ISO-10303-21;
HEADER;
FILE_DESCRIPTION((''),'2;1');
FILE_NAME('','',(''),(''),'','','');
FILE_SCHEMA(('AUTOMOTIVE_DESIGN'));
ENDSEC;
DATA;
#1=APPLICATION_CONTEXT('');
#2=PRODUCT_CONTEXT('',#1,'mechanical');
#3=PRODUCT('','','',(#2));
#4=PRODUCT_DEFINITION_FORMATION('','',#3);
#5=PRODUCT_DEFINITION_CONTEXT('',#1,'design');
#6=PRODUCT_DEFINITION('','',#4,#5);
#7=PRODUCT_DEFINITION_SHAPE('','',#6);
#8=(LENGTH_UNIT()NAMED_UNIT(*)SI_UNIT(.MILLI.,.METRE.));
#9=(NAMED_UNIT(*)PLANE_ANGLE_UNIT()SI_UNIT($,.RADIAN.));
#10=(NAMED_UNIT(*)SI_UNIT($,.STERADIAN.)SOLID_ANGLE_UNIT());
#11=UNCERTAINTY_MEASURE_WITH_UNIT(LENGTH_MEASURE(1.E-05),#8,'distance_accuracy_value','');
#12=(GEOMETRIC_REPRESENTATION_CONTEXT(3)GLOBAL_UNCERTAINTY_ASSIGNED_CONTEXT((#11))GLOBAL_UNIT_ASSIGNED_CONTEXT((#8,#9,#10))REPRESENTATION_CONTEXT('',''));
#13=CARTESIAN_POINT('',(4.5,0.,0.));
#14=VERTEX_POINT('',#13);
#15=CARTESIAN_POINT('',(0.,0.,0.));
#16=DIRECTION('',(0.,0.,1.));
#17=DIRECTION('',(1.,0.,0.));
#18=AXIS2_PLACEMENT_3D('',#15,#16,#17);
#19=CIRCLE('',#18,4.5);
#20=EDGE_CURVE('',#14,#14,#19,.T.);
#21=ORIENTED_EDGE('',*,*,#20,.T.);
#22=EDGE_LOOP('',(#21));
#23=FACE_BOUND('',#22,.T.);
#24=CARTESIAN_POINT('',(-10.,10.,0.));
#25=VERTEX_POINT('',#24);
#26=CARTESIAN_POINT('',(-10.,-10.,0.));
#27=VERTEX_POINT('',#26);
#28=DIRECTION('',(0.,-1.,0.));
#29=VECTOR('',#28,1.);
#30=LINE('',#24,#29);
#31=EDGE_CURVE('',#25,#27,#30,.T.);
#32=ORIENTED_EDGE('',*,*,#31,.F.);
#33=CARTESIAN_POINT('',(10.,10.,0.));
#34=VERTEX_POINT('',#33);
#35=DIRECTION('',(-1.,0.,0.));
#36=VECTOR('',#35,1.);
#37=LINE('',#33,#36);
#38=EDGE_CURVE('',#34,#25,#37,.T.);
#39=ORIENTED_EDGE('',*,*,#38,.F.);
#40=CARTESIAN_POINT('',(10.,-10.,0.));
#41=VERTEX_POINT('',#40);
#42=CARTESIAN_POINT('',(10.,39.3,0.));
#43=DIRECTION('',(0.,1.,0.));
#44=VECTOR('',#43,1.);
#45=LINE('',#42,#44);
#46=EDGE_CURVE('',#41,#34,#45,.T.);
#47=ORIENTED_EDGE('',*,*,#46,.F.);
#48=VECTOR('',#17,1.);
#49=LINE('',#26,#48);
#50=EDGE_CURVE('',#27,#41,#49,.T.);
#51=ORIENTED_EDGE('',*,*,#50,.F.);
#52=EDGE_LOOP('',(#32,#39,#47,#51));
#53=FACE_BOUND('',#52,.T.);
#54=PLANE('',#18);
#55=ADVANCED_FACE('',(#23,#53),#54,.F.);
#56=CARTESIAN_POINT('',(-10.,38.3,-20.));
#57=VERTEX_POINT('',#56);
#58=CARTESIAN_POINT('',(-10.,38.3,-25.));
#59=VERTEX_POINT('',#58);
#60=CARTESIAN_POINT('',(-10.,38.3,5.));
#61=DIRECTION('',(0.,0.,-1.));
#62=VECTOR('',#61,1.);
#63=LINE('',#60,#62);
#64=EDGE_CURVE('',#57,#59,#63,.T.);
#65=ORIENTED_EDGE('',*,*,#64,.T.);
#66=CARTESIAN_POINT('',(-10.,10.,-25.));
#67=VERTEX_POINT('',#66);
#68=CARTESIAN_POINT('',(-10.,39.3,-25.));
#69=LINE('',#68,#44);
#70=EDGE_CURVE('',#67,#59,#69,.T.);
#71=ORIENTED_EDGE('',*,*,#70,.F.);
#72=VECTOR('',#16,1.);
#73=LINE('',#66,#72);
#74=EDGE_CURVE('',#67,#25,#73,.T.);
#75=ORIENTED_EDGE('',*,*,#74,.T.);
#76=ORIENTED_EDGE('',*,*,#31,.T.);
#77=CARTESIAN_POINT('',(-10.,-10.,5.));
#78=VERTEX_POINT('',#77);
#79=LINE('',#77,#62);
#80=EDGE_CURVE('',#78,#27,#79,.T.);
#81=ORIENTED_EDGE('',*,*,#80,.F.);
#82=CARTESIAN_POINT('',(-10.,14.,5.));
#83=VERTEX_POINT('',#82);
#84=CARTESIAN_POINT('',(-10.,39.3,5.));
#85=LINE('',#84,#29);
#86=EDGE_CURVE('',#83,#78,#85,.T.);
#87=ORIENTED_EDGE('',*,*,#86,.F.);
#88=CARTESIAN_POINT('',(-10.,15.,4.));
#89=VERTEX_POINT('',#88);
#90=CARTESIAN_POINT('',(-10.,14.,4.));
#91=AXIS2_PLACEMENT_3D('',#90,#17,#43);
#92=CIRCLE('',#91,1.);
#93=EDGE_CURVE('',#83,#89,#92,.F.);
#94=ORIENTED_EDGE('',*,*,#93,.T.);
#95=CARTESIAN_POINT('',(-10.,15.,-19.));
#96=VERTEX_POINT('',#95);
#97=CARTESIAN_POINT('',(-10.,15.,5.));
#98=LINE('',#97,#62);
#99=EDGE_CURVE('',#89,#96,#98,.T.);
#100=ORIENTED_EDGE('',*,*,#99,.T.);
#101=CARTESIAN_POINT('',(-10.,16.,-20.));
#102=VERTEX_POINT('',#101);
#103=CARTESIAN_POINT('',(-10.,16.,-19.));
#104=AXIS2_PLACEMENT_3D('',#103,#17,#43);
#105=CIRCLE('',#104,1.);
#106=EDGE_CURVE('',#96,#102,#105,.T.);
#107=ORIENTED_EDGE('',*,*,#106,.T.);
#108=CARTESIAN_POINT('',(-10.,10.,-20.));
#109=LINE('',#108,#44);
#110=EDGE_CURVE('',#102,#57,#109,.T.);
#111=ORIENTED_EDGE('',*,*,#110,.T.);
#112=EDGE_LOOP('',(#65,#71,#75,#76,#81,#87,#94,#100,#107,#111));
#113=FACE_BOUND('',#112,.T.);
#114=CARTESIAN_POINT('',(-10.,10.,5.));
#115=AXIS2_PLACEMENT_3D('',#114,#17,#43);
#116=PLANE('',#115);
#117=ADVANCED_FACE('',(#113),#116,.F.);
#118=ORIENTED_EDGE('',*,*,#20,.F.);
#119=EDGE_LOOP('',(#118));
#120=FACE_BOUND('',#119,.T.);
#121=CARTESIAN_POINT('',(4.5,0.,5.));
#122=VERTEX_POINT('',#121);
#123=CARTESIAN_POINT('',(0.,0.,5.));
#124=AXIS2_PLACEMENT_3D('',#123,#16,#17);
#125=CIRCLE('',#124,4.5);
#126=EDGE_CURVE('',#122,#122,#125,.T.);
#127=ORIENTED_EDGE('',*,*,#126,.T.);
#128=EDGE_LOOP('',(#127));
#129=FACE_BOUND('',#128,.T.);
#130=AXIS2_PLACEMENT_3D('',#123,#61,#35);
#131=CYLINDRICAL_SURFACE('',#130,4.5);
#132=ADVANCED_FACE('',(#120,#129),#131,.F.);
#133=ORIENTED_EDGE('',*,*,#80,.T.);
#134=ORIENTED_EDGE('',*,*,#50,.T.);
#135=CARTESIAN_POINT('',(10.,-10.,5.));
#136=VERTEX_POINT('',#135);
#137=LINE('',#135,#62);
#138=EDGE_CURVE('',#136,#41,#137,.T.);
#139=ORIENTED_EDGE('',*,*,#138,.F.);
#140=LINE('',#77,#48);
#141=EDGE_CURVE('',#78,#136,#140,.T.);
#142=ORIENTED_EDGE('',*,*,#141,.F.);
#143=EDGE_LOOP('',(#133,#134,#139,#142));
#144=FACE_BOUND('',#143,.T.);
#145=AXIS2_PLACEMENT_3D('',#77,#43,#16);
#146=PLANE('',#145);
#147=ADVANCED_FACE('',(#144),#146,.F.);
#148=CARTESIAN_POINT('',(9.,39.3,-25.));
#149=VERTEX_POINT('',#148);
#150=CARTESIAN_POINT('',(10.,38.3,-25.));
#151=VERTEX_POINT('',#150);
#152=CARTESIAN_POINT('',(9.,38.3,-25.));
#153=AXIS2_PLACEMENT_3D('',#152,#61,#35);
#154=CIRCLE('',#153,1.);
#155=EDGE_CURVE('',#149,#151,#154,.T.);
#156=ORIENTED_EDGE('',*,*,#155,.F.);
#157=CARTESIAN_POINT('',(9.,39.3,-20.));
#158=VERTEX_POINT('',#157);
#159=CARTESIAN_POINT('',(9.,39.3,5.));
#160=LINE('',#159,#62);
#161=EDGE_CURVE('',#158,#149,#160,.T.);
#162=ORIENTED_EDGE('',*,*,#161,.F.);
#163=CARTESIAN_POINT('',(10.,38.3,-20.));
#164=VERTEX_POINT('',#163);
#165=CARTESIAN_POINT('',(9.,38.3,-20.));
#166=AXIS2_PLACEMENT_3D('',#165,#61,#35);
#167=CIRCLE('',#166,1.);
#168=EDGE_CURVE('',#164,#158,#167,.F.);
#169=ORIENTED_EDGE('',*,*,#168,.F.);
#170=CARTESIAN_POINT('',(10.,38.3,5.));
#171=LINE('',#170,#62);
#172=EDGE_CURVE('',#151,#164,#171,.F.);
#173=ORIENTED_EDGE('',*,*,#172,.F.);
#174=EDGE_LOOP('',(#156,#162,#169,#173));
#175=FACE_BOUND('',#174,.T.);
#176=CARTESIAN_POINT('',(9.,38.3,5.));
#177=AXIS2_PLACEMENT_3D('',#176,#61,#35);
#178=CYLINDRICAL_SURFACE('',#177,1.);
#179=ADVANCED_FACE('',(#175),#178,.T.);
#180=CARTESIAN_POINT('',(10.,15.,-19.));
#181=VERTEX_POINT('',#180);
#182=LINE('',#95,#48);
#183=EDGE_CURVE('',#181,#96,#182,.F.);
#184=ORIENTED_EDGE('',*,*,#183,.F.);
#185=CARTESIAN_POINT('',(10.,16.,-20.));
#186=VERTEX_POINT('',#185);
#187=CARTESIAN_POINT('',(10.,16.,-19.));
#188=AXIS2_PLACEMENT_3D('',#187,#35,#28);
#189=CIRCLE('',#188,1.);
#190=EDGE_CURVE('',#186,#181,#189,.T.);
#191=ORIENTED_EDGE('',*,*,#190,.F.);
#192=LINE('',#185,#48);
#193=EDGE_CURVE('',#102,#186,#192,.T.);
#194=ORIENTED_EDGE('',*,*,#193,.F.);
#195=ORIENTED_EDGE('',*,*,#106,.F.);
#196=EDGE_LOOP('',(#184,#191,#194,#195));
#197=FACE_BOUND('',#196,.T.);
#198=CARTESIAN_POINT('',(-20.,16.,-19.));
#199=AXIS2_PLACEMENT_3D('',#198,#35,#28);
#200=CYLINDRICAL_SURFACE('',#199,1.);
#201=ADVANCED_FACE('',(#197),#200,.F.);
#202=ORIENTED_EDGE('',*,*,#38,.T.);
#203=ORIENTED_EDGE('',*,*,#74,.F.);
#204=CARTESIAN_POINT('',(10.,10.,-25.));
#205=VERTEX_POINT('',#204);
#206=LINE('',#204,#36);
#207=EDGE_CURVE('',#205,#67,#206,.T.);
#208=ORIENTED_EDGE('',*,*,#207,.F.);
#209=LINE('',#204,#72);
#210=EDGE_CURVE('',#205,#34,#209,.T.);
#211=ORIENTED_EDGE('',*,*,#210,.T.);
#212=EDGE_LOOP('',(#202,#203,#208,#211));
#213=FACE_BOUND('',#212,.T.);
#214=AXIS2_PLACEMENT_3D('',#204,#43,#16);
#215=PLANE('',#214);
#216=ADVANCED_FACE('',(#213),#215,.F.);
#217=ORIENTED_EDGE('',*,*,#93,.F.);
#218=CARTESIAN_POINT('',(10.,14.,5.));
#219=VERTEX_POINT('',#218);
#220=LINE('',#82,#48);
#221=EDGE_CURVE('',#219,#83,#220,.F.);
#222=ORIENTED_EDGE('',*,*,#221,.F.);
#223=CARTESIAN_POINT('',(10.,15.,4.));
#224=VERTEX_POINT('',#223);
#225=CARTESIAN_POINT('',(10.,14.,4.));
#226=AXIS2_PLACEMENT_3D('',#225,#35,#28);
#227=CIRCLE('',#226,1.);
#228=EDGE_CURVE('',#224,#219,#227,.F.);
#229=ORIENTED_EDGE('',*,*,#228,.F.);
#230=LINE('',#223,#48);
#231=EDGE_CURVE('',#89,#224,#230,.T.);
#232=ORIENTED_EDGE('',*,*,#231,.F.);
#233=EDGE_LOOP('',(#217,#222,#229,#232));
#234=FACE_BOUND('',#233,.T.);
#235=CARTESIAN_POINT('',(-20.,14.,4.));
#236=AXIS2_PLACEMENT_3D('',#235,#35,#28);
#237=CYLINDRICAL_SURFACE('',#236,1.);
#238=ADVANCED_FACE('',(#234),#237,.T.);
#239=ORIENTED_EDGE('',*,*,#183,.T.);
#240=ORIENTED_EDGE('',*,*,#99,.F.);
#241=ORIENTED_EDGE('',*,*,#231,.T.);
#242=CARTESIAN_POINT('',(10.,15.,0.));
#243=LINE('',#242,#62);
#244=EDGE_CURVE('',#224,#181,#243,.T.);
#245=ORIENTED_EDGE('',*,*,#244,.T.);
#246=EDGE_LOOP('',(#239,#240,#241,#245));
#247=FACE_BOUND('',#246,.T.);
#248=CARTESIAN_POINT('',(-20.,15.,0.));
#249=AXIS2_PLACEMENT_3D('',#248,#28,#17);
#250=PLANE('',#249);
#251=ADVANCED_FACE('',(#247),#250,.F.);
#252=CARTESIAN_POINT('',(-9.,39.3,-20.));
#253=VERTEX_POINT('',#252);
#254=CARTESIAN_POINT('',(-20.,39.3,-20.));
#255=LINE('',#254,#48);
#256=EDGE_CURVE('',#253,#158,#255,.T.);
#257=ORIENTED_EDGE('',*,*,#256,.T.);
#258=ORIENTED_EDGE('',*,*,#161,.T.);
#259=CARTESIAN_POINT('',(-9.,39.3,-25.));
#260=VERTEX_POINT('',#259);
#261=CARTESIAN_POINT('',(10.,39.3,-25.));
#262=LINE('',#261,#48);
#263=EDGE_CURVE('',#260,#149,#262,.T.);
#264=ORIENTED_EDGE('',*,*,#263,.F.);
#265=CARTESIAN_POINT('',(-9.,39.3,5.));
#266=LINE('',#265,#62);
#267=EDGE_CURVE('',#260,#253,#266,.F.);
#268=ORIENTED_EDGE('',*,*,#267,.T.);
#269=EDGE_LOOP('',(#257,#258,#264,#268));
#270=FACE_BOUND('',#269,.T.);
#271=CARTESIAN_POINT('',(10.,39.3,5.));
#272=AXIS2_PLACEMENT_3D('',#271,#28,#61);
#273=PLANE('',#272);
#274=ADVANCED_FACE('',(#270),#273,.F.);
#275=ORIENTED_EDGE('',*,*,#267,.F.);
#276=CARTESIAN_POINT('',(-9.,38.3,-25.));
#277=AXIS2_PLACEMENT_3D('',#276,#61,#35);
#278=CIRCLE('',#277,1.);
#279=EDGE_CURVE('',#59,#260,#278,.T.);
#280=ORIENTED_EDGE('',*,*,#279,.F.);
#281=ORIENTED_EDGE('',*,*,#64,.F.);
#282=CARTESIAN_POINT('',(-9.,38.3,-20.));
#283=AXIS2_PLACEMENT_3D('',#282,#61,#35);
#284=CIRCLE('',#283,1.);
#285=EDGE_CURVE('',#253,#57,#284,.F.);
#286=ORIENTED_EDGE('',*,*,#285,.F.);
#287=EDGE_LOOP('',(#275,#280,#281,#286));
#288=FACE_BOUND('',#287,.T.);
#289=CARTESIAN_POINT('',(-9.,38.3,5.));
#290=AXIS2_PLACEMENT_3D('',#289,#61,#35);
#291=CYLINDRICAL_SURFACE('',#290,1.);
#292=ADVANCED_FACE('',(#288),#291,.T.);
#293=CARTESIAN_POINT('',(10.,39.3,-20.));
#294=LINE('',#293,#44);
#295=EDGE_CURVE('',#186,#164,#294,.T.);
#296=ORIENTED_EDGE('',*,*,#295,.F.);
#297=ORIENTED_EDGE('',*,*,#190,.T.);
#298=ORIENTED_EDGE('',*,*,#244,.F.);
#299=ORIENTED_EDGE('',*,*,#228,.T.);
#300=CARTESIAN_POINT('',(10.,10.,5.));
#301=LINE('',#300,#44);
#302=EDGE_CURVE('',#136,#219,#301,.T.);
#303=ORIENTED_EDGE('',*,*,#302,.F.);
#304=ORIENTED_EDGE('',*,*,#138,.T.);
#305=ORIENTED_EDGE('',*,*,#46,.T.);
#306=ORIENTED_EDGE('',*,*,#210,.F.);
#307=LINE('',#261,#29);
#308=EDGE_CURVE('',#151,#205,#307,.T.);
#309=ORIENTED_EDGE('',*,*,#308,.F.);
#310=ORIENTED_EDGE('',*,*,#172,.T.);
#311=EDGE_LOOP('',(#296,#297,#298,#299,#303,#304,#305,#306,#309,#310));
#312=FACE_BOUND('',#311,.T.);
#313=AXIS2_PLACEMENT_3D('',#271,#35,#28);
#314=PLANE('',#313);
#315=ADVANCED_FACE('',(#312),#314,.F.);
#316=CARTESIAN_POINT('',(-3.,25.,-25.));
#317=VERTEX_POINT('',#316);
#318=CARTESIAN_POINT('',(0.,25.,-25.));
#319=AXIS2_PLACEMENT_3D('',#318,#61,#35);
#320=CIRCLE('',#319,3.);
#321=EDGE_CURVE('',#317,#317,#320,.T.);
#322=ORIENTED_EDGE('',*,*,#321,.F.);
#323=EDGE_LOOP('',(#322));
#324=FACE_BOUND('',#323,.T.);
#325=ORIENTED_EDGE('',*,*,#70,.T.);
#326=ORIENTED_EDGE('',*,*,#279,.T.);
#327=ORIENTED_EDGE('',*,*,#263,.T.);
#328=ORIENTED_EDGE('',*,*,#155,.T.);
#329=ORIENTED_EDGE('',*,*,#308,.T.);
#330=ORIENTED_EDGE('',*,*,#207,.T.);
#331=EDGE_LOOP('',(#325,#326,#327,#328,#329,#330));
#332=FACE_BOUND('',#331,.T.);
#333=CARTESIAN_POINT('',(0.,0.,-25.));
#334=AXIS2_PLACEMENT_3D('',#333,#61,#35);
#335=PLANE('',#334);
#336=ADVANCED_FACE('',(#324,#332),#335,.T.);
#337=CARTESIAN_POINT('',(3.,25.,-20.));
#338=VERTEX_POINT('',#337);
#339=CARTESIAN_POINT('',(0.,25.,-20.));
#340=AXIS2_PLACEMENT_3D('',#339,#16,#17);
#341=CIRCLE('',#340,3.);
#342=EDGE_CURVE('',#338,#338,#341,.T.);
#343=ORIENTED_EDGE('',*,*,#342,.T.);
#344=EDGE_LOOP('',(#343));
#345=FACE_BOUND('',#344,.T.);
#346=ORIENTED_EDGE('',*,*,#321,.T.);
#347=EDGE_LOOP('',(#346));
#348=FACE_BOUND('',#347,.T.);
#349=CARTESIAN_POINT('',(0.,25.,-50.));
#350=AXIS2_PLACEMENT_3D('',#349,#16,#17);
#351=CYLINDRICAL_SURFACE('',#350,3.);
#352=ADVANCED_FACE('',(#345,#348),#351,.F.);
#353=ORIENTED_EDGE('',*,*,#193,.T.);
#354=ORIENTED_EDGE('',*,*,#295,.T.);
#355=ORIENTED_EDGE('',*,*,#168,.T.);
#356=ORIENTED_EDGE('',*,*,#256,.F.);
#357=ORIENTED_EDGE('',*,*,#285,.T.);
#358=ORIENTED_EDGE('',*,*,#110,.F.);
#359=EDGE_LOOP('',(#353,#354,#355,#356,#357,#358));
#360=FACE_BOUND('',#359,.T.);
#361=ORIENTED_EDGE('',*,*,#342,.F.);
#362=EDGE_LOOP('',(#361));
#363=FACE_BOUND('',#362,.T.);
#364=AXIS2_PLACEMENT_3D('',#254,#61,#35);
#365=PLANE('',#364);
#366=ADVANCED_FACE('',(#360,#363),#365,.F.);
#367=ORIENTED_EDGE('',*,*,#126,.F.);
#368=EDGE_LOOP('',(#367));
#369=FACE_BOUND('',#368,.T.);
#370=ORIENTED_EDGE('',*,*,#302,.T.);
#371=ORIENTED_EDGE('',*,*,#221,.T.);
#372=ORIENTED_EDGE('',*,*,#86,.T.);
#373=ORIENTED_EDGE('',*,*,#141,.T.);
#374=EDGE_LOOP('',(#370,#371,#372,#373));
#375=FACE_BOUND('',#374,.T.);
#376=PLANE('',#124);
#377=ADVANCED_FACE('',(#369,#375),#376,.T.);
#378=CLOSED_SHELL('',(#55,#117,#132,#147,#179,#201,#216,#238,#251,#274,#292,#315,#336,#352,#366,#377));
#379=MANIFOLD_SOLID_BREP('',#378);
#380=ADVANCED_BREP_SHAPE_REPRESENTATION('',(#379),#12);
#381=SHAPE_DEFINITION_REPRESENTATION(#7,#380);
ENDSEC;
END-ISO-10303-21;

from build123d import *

# Parameters (mm, degrees)
SKETCH1_R           = 4.5
BOSS_EXTRUDE1_DEPTH = 5
SKETCH2_W           = 20
SKETCH2_H           = 29.3
BOSS_EXTRUDE2_DEPTH = 25
CUT_EXTRUDE1_DEPTH  = 30
SKETCH4_R           = 2.5
SKETCH4_R_2         = 3
CUT_EXTRUDE2_DEPTH  = 30
FILLET2_R           = 1


with BuildPart() as part:
    # Sketch1 → Boss-Extrude1 (new body)
    with BuildSketch(Plane.XY):
        Polygon((-10, 10), (-10, -10), (10, -10), (10, 10), (10, 39.3), (-10, 39.3), align=None)
        Circle(SKETCH1_R, mode=Mode.SUBTRACT)
    extrude(amount=BOSS_EXTRUDE1_DEPTH)

    # Sketch2 → Boss-Extrude2 (add)
    with BuildSketch(Plane(origin=(0, 0, 0), x_dir=(-1, 0, 0), z_dir=(0, 0, -1))):
        with Locations((0, 24.65)):
            Rectangle(SKETCH2_W, SKETCH2_H)
    extrude(amount=BOSS_EXTRUDE2_DEPTH)

    # Sketch3 → Cut-Extrude1 (cut)
    with BuildSketch(Plane(origin=(10, 0, 0), x_dir=(0, 0, -1), z_dir=(1, 0, 0))):
        Polygon((0, 15), (-5, 15), (-5, 39.3), (20, 39.3), (20, 15), align=None)
    extrude(amount=-CUT_EXTRUDE1_DEPTH, mode=Mode.SUBTRACT)

    # Sketch4 → Cut-Extrude2 (cut)
    with BuildSketch(Plane.XY.offset(-20)):
        with Locations((0, 45)):
            Circle(SKETCH4_R)
        with Locations((0, 25)):
            Circle(SKETCH4_R_2)
    extrude(amount=-CUT_EXTRUDE2_DEPTH, mode=Mode.SUBTRACT)

    # Fillet2
    fillet2_edges = [part.edges().sort_by_distance(p)[0] for p in [
        (-10, 39.3, -22.5),
        (10, 39.3, -22.5),
        (0, 15, -20),
        (0, 15, 5),
    ]]
    fillet(fillet2_edges, radius=FILLET2_R)


solid = part.part
